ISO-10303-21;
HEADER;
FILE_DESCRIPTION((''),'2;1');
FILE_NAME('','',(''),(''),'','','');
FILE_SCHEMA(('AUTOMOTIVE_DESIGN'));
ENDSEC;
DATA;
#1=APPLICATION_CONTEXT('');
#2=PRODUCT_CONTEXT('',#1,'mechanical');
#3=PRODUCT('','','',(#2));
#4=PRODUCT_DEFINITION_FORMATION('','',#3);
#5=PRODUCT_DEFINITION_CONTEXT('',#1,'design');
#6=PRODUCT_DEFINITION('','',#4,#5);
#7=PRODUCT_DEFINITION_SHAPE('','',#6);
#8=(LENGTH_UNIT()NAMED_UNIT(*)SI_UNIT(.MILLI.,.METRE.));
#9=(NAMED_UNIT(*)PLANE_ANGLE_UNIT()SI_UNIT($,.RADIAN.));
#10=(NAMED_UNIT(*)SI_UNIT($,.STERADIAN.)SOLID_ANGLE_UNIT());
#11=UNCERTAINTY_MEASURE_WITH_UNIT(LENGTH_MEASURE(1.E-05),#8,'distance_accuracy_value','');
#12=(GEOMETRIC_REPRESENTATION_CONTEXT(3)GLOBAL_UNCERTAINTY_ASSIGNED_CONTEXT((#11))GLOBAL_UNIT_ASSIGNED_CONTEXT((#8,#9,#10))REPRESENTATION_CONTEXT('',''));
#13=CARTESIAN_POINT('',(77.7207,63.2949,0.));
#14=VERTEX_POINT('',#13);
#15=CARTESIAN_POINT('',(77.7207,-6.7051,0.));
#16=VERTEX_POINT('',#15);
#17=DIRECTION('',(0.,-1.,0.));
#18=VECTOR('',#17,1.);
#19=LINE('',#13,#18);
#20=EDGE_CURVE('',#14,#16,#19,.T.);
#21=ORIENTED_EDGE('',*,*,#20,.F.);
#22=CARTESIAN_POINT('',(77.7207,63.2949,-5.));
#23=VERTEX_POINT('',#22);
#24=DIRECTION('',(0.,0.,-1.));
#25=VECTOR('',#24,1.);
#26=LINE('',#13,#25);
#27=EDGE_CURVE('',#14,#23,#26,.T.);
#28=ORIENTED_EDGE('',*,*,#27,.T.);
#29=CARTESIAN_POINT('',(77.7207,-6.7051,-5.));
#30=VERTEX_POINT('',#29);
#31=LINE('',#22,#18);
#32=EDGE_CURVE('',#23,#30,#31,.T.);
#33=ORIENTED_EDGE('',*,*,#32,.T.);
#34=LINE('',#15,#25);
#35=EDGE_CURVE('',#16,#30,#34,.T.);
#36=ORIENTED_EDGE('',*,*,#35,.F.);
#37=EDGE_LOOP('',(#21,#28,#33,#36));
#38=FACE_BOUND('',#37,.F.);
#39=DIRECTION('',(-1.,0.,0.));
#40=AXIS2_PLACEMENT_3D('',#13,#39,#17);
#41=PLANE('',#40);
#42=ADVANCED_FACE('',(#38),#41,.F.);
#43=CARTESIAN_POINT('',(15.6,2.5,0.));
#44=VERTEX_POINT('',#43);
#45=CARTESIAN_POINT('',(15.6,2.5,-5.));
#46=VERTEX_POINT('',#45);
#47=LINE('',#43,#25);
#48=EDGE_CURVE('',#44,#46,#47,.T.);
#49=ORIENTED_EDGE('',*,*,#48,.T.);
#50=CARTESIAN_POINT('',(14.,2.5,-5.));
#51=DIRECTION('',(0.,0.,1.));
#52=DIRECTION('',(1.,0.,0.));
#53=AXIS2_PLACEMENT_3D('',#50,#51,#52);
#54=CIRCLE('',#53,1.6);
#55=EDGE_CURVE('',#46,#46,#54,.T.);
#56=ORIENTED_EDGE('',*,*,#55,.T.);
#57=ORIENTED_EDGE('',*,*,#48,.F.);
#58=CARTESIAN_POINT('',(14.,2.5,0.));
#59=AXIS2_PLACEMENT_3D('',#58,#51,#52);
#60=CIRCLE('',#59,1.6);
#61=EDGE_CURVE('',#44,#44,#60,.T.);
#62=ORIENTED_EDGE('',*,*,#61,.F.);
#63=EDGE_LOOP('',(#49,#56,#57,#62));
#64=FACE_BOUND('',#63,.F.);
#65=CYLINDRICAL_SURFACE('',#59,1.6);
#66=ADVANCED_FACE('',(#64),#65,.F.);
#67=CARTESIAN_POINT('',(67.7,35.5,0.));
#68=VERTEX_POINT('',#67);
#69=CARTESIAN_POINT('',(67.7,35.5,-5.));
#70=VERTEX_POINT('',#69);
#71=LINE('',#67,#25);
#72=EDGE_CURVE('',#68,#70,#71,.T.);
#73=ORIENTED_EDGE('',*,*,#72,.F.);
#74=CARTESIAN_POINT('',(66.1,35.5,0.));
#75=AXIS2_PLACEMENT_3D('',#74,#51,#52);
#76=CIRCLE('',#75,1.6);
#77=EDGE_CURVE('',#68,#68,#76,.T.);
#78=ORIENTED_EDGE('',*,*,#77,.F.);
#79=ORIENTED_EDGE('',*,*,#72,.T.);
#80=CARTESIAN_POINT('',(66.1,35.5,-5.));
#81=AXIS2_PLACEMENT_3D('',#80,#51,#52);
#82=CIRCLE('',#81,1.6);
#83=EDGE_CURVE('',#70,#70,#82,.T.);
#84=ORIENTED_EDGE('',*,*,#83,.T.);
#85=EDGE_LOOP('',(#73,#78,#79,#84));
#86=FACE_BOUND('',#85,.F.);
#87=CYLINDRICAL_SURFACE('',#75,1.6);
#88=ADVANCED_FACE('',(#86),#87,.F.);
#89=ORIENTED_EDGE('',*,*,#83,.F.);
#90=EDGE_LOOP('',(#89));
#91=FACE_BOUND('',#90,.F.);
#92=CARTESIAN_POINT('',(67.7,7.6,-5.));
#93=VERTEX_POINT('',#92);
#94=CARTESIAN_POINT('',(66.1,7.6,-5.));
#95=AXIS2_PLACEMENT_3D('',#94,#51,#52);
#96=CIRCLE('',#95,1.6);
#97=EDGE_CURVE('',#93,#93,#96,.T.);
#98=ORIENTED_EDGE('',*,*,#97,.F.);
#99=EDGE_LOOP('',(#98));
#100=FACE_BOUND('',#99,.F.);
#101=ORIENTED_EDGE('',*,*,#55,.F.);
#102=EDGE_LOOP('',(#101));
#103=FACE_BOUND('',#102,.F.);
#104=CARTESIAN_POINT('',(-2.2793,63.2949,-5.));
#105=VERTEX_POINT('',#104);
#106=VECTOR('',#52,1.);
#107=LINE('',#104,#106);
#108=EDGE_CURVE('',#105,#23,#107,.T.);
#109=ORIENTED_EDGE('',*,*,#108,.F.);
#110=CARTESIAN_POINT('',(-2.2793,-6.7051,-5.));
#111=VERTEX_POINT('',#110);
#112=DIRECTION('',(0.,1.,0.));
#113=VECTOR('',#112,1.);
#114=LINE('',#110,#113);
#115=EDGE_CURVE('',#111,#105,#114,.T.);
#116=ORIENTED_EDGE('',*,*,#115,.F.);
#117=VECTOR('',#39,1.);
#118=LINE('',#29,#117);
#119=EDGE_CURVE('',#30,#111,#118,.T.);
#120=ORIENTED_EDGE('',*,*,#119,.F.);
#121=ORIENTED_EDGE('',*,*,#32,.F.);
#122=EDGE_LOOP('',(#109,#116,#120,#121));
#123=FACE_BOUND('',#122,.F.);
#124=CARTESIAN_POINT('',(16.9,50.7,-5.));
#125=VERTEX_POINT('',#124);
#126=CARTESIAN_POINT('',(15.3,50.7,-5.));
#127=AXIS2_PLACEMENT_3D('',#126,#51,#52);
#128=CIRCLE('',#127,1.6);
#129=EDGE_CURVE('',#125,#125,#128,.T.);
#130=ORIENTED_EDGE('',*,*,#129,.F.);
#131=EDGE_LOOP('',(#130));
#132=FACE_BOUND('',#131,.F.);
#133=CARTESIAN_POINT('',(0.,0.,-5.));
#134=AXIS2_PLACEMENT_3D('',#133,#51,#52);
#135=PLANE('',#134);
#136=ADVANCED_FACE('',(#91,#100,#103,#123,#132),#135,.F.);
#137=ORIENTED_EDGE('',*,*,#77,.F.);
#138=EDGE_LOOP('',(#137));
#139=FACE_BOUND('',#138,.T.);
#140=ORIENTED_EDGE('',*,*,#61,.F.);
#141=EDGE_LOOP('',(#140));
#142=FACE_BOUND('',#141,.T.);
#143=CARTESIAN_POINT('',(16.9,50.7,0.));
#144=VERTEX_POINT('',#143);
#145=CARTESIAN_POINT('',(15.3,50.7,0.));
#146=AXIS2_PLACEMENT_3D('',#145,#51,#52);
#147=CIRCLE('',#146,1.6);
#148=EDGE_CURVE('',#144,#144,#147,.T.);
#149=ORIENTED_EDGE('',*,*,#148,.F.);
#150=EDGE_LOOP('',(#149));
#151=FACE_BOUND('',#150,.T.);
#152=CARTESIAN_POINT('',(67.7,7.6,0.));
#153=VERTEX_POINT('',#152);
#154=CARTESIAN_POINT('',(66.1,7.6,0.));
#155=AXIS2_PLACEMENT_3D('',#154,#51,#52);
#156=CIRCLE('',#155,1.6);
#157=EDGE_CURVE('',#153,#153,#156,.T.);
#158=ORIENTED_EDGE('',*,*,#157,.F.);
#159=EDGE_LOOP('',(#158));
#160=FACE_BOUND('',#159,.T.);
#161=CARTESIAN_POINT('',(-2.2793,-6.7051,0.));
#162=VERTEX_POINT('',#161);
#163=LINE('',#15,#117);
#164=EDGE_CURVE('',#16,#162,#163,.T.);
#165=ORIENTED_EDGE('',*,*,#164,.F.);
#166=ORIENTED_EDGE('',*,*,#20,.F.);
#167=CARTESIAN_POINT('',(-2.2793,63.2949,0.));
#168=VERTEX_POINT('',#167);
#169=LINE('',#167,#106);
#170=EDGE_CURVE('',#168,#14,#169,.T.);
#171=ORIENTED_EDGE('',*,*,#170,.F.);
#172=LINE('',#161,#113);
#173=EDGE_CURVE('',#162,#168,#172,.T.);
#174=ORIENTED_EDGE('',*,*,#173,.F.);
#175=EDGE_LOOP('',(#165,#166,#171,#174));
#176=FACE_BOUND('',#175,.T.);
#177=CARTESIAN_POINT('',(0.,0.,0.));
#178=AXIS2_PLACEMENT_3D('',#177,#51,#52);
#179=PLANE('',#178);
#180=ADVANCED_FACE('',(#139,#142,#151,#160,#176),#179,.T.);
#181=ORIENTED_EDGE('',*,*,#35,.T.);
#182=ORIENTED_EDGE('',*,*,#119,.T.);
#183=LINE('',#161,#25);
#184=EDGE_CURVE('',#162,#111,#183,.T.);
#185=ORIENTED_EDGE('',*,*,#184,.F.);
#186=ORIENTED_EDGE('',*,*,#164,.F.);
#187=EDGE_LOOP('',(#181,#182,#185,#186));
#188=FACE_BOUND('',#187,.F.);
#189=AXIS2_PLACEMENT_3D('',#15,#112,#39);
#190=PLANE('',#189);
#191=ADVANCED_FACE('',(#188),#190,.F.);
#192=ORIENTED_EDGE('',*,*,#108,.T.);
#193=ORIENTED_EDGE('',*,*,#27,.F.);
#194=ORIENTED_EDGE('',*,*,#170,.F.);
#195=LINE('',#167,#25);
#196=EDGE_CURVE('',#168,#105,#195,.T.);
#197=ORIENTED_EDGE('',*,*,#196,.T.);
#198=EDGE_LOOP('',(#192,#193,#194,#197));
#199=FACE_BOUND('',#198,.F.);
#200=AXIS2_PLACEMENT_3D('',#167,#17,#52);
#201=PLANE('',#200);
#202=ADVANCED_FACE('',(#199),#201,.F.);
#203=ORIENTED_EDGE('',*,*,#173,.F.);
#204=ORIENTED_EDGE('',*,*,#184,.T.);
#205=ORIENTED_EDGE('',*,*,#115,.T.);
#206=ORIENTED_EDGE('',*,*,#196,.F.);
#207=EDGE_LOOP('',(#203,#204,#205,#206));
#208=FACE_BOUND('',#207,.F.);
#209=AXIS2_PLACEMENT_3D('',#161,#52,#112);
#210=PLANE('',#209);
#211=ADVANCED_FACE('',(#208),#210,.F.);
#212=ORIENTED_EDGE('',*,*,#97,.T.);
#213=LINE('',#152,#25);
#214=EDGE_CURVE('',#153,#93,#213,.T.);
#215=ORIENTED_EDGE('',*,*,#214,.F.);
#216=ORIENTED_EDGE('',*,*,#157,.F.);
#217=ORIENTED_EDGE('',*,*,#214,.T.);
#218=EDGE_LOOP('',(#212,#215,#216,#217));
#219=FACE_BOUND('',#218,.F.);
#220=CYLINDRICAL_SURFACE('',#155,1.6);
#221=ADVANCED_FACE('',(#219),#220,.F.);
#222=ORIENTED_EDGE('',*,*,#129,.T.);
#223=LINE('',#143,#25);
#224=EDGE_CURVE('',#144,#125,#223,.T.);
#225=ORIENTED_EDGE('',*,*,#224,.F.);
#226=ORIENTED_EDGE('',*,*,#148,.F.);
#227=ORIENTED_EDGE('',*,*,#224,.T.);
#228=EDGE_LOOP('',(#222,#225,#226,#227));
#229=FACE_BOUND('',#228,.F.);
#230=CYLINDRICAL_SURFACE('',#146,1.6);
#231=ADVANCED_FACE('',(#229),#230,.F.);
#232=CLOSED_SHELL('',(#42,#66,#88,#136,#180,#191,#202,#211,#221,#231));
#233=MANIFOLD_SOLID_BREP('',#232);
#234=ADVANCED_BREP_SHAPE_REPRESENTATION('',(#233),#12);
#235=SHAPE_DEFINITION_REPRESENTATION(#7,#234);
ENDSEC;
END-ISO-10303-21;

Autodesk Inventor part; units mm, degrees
ref_plane "YZ Plane" through (0, 0, 0) normal (1, 0, 0) x (0, 1, 0)
ref_plane "XZ Plane" through (0, 0, 0) normal (0, 1, 0) x (-1, 0, 0)
ref_plane "XY Plane" through (0, 0, 0) normal (0, 0, 1) x (1, 0, 0)
sketch "Arduino Uno" plane through (0, 0, 0) normal (0, 0, 1) x (1, 0, 0)
  line L0 (0, 0) -> (68.6, 0)
  line L1 (68.6, 0) -> (68.6, 53.3)
  line L2 (68.6, 53.3) -> (0, 53.3)
  line L3 (0, 53.3) -> (0, 0)
  circle A0 centre (14, 2.5) radius 1.6
  circle A1 centre (66.1, 7.6) radius 1.6
  circle A2 centre (66.1, 35.5) radius 1.6
  circle A3 centre (15.3, 50.7) radius 1.6
  dimension "d6" = 68.6
  dimension "d7" = 53.3
  dimension "d34" = 3.2
  dimension "d35" = 2.5
  dimension "d36" = 14
  dimension "d37" = 3.2
  dimension "d38" = 66.1
  dimension "d39" = 7.6
  dimension "d40" = 3.2
  dimension "d41" = 35.5
  dimension "d42" = 66.1
  dimension "d43" = 3.2
  dimension "d44" = 15.3
  dimension "d45" = 50.7
sketch "Sketch2" plane through (0, 0, 0) normal (0, 0, 1) x (1, 0, 0)
  line L0 (0, 0) -> (8, 0)
  line L1 (-2.2793, -6.7051) -> (-2.2793, 63.2949)
  line L2 (-2.2793, 63.2949) -> (77.7207, 63.2949)
  line L3 (77.7207, 63.2949) -> (77.7207, -6.7051)
  line L4 (77.7207, -6.7051) -> (-2.2793, -6.7051)
  dimension "d27" = 8
  dimension "d28" = 70
  dimension "d29" = 80
extrude "Back Plate" add sketch "Sketch2" against normal blind 5
extrude "Uno Mounting Holes" cut sketch "Arduino Uno" against normal through all contours A0 | A1 | A2 | A3
properties part number "UNO-Mounting-Holes"
